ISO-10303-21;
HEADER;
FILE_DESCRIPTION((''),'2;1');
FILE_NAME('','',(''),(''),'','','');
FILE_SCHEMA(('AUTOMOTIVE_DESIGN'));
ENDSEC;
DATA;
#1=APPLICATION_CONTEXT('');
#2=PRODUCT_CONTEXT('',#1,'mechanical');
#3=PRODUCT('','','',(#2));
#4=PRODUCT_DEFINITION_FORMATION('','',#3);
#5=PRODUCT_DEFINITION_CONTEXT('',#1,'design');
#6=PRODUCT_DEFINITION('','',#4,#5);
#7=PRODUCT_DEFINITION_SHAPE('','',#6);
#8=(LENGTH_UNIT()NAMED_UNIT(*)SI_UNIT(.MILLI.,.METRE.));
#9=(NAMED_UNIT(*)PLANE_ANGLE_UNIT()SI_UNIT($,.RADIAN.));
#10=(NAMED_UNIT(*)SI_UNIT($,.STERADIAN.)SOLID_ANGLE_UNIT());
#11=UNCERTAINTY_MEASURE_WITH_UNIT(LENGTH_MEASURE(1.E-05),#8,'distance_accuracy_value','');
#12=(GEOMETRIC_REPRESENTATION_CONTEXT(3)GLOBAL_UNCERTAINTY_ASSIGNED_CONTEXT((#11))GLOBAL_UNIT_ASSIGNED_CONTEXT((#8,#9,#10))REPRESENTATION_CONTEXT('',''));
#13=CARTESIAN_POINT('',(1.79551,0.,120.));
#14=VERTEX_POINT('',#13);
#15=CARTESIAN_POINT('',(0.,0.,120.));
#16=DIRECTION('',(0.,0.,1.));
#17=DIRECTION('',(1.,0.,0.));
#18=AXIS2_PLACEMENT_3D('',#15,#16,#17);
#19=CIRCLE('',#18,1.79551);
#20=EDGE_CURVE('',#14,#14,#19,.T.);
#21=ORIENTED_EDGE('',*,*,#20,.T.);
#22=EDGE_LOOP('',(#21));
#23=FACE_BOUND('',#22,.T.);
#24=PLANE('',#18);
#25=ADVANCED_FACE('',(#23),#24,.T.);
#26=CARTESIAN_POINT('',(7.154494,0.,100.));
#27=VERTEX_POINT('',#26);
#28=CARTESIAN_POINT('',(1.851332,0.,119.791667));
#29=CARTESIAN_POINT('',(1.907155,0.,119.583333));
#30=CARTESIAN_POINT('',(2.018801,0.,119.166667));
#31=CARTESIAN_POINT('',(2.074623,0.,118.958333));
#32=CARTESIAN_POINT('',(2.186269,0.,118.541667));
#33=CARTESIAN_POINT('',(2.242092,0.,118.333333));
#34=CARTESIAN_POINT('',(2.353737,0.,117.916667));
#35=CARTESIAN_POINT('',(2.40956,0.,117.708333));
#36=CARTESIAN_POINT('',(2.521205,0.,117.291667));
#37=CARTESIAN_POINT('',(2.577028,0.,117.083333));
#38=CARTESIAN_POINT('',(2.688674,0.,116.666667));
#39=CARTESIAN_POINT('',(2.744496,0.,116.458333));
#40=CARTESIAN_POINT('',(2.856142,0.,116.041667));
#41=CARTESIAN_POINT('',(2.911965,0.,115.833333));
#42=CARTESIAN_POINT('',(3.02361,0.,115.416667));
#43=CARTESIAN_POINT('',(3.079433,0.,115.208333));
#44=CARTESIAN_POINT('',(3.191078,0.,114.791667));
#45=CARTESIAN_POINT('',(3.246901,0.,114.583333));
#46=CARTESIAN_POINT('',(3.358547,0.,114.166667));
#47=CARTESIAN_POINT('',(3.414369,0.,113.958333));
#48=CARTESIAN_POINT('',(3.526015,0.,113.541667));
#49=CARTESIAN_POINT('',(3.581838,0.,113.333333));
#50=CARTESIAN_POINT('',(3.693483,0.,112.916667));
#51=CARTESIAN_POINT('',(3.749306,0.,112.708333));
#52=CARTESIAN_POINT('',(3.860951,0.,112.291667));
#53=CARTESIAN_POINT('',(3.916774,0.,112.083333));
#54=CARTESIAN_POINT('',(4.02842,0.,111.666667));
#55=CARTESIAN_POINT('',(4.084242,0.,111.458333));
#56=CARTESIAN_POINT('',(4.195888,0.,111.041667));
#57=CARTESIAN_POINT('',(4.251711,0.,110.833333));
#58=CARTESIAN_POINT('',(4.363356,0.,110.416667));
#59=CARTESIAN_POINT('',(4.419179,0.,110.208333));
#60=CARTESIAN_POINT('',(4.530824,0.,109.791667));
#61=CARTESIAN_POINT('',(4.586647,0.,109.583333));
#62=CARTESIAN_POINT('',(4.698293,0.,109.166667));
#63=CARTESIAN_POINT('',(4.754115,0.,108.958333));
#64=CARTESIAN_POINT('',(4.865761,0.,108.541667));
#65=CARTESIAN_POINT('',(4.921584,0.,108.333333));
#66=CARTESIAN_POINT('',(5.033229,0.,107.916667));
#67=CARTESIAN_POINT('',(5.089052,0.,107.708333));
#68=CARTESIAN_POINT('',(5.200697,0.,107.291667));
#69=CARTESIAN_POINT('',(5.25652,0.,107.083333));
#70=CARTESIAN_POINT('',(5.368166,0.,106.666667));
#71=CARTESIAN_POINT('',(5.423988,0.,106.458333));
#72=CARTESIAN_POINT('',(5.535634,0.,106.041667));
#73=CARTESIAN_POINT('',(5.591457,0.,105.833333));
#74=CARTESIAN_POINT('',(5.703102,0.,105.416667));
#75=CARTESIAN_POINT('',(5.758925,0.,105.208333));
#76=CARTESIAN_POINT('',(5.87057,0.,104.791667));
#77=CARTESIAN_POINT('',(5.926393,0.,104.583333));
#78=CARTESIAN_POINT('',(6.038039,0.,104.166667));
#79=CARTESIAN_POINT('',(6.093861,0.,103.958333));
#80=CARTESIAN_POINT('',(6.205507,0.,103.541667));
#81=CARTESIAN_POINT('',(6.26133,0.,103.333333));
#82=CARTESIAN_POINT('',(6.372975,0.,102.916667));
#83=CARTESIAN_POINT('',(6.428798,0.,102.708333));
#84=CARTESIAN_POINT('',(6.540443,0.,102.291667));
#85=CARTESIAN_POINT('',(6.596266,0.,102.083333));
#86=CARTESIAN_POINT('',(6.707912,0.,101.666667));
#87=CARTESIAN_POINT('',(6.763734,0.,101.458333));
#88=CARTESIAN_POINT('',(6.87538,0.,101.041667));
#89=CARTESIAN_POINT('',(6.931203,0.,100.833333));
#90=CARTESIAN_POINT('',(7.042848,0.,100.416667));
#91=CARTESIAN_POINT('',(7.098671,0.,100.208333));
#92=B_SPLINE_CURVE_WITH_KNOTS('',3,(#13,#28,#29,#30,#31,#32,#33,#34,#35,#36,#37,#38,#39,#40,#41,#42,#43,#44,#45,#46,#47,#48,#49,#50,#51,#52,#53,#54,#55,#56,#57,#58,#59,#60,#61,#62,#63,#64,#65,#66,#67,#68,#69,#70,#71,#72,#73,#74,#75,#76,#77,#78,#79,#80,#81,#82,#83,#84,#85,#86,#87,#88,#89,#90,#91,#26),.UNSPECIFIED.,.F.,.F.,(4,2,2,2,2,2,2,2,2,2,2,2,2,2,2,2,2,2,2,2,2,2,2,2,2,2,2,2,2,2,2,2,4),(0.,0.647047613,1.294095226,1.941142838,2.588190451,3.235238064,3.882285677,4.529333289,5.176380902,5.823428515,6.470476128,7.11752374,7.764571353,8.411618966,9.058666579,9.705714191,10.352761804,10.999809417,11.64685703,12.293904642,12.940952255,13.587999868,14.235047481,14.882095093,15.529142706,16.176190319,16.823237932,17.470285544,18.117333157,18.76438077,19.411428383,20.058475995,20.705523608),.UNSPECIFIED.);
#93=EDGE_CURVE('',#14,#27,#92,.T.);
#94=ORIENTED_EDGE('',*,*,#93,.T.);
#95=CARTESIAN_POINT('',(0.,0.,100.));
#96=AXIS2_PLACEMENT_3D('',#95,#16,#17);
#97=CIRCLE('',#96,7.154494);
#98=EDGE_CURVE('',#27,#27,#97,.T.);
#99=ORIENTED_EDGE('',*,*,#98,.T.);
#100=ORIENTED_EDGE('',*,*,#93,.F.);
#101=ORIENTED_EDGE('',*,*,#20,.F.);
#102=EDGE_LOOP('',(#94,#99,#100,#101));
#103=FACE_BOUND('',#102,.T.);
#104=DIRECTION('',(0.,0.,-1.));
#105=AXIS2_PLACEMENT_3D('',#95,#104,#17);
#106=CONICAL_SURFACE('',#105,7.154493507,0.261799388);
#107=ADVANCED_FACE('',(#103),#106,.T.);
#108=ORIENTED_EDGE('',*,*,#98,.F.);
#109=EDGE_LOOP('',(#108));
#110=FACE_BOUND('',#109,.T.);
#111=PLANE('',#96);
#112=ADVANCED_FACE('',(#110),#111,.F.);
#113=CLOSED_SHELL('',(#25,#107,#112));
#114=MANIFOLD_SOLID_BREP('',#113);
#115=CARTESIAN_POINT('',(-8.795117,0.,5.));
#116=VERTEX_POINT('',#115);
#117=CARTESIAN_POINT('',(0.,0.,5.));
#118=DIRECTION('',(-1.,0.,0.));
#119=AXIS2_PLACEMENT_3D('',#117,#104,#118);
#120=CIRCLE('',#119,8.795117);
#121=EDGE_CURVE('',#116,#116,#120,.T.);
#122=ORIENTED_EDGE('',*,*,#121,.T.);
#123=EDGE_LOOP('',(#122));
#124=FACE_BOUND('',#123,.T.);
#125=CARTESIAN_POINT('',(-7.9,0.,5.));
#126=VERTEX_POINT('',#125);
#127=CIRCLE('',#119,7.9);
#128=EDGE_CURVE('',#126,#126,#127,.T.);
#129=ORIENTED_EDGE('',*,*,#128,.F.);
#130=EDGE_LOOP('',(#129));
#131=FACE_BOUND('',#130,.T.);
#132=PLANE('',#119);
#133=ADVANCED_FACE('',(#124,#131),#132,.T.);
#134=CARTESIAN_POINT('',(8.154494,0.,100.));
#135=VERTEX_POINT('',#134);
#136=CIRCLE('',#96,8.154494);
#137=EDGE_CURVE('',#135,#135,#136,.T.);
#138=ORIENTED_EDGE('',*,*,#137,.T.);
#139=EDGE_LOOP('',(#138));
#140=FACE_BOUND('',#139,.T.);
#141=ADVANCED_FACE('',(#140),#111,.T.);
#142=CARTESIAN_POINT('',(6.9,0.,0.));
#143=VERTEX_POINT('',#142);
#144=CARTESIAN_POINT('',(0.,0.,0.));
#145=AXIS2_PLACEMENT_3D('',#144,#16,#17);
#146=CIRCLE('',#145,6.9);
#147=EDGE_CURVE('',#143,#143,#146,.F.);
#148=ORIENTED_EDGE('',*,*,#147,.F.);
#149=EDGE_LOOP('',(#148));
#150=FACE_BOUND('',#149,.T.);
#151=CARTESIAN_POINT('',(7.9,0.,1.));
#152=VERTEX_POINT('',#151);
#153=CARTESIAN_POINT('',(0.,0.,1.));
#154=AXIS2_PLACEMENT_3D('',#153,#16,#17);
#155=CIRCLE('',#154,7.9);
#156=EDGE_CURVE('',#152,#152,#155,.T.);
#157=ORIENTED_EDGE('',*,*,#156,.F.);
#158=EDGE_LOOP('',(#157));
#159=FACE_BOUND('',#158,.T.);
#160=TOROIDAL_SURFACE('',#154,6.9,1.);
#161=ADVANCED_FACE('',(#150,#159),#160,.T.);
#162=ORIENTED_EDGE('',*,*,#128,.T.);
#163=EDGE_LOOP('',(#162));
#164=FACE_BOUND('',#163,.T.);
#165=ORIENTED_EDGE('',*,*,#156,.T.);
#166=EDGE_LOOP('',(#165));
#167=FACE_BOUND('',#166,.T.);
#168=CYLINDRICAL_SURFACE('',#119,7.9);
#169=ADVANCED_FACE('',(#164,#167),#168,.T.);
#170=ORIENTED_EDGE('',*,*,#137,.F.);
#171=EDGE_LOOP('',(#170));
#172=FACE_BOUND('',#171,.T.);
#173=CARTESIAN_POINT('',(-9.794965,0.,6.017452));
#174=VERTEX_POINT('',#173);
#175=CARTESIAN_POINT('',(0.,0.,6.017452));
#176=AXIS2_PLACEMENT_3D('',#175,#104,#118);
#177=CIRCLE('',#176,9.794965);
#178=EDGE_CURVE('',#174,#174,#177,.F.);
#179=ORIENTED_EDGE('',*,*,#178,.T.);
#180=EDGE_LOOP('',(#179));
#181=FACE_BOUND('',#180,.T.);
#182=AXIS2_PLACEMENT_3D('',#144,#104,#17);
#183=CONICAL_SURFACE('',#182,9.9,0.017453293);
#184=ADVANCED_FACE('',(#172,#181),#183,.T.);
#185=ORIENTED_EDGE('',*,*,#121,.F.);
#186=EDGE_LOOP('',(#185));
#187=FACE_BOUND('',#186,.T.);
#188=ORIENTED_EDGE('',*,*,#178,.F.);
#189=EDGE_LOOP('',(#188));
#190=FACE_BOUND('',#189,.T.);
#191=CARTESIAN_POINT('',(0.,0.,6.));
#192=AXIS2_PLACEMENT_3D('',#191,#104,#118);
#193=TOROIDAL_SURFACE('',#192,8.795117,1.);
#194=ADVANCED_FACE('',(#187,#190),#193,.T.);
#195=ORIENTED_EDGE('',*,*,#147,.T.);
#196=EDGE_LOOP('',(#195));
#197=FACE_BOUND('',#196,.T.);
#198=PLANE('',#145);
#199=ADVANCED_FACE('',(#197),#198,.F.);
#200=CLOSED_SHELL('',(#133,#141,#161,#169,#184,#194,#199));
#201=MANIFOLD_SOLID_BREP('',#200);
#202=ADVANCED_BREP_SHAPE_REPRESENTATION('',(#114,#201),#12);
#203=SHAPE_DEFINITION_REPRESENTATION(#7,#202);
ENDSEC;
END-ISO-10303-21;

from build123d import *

# Parameters (mm, degrees)
SKETCH_1_R          = 9.9
EXTRUDE_1_DEPTH     = 100
DRAFT_3_ANGLE       = -1
SKETCH_2_R          = 9.9
SKETCH_2_R_2        = 7.9
CUT_EXTRUDE_1_DEPTH = 5
FILLET_1_R          = 1
FILLET_2_R          = 1
SKETCH_5_R          = 7.154493507
EXTRUDE_3_DEPTH     = 20
DRAFT_7_ANGLE       = 15


with BuildPart() as part:
    # 스케치1 → 보스-돌출1 (new body)
    with BuildSketch(Plane.XY):
        Circle(SKETCH_1_R)
    extrude(amount=EXTRUDE_1_DEPTH)

    # 구배3
    draft_3_faces = [part.faces().sort_by_distance(p)[0] for p in [
        (-9.9, 0, 50),
    ]]
    draft(draft_3_faces, Plane(origin=(0, 0, 0), x_dir=(-1, 0, 0), z_dir=(0, 0, -1)), DRAFT_3_ANGLE)

    # 스케치2 → 컷-돌출1 (cut)
    with BuildSketch(Plane(origin=(0, 0, 0), x_dir=(-1, 0, 0), z_dir=(0, 0, -1))):
        Circle(SKETCH_2_R)
        Circle(SKETCH_2_R_2, mode=Mode.SUBTRACT)
    extrude(amount=-CUT_EXTRUDE_1_DEPTH, mode=Mode.SUBTRACT)

    # 필렛1
    fillet_1_edges = [part.edges().sort_by_distance(p)[0] for p in [
        (7.9, 0, 0),
    ]]
    fillet(fillet_1_edges, radius=FILLET_1_R)

    # 필렛2
    fillet_2_edges = [part.edges().sort_by_distance(p)[0] for p in [
        (-9.812724675, 0, 5),
    ]]
    fillet(fillet_2_edges, radius=FILLET_2_R)


with BuildPart() as body_2:
    # 스케치5 → 보스-돌출3 (new body)
    with BuildSketch(Plane.XY.offset(100)):
        Circle(SKETCH_5_R)
    extrude(amount=EXTRUDE_3_DEPTH)

    # 구배7
    draft_7_faces = [body_2.faces().sort_by_distance(p)[0] for p in [
        (-7.154493507, 0, 110),
    ]]
    draft(draft_7_faces, Plane.XY.offset(100), DRAFT_7_ANGLE)


solid = Compound([part.part, body_2.part])
